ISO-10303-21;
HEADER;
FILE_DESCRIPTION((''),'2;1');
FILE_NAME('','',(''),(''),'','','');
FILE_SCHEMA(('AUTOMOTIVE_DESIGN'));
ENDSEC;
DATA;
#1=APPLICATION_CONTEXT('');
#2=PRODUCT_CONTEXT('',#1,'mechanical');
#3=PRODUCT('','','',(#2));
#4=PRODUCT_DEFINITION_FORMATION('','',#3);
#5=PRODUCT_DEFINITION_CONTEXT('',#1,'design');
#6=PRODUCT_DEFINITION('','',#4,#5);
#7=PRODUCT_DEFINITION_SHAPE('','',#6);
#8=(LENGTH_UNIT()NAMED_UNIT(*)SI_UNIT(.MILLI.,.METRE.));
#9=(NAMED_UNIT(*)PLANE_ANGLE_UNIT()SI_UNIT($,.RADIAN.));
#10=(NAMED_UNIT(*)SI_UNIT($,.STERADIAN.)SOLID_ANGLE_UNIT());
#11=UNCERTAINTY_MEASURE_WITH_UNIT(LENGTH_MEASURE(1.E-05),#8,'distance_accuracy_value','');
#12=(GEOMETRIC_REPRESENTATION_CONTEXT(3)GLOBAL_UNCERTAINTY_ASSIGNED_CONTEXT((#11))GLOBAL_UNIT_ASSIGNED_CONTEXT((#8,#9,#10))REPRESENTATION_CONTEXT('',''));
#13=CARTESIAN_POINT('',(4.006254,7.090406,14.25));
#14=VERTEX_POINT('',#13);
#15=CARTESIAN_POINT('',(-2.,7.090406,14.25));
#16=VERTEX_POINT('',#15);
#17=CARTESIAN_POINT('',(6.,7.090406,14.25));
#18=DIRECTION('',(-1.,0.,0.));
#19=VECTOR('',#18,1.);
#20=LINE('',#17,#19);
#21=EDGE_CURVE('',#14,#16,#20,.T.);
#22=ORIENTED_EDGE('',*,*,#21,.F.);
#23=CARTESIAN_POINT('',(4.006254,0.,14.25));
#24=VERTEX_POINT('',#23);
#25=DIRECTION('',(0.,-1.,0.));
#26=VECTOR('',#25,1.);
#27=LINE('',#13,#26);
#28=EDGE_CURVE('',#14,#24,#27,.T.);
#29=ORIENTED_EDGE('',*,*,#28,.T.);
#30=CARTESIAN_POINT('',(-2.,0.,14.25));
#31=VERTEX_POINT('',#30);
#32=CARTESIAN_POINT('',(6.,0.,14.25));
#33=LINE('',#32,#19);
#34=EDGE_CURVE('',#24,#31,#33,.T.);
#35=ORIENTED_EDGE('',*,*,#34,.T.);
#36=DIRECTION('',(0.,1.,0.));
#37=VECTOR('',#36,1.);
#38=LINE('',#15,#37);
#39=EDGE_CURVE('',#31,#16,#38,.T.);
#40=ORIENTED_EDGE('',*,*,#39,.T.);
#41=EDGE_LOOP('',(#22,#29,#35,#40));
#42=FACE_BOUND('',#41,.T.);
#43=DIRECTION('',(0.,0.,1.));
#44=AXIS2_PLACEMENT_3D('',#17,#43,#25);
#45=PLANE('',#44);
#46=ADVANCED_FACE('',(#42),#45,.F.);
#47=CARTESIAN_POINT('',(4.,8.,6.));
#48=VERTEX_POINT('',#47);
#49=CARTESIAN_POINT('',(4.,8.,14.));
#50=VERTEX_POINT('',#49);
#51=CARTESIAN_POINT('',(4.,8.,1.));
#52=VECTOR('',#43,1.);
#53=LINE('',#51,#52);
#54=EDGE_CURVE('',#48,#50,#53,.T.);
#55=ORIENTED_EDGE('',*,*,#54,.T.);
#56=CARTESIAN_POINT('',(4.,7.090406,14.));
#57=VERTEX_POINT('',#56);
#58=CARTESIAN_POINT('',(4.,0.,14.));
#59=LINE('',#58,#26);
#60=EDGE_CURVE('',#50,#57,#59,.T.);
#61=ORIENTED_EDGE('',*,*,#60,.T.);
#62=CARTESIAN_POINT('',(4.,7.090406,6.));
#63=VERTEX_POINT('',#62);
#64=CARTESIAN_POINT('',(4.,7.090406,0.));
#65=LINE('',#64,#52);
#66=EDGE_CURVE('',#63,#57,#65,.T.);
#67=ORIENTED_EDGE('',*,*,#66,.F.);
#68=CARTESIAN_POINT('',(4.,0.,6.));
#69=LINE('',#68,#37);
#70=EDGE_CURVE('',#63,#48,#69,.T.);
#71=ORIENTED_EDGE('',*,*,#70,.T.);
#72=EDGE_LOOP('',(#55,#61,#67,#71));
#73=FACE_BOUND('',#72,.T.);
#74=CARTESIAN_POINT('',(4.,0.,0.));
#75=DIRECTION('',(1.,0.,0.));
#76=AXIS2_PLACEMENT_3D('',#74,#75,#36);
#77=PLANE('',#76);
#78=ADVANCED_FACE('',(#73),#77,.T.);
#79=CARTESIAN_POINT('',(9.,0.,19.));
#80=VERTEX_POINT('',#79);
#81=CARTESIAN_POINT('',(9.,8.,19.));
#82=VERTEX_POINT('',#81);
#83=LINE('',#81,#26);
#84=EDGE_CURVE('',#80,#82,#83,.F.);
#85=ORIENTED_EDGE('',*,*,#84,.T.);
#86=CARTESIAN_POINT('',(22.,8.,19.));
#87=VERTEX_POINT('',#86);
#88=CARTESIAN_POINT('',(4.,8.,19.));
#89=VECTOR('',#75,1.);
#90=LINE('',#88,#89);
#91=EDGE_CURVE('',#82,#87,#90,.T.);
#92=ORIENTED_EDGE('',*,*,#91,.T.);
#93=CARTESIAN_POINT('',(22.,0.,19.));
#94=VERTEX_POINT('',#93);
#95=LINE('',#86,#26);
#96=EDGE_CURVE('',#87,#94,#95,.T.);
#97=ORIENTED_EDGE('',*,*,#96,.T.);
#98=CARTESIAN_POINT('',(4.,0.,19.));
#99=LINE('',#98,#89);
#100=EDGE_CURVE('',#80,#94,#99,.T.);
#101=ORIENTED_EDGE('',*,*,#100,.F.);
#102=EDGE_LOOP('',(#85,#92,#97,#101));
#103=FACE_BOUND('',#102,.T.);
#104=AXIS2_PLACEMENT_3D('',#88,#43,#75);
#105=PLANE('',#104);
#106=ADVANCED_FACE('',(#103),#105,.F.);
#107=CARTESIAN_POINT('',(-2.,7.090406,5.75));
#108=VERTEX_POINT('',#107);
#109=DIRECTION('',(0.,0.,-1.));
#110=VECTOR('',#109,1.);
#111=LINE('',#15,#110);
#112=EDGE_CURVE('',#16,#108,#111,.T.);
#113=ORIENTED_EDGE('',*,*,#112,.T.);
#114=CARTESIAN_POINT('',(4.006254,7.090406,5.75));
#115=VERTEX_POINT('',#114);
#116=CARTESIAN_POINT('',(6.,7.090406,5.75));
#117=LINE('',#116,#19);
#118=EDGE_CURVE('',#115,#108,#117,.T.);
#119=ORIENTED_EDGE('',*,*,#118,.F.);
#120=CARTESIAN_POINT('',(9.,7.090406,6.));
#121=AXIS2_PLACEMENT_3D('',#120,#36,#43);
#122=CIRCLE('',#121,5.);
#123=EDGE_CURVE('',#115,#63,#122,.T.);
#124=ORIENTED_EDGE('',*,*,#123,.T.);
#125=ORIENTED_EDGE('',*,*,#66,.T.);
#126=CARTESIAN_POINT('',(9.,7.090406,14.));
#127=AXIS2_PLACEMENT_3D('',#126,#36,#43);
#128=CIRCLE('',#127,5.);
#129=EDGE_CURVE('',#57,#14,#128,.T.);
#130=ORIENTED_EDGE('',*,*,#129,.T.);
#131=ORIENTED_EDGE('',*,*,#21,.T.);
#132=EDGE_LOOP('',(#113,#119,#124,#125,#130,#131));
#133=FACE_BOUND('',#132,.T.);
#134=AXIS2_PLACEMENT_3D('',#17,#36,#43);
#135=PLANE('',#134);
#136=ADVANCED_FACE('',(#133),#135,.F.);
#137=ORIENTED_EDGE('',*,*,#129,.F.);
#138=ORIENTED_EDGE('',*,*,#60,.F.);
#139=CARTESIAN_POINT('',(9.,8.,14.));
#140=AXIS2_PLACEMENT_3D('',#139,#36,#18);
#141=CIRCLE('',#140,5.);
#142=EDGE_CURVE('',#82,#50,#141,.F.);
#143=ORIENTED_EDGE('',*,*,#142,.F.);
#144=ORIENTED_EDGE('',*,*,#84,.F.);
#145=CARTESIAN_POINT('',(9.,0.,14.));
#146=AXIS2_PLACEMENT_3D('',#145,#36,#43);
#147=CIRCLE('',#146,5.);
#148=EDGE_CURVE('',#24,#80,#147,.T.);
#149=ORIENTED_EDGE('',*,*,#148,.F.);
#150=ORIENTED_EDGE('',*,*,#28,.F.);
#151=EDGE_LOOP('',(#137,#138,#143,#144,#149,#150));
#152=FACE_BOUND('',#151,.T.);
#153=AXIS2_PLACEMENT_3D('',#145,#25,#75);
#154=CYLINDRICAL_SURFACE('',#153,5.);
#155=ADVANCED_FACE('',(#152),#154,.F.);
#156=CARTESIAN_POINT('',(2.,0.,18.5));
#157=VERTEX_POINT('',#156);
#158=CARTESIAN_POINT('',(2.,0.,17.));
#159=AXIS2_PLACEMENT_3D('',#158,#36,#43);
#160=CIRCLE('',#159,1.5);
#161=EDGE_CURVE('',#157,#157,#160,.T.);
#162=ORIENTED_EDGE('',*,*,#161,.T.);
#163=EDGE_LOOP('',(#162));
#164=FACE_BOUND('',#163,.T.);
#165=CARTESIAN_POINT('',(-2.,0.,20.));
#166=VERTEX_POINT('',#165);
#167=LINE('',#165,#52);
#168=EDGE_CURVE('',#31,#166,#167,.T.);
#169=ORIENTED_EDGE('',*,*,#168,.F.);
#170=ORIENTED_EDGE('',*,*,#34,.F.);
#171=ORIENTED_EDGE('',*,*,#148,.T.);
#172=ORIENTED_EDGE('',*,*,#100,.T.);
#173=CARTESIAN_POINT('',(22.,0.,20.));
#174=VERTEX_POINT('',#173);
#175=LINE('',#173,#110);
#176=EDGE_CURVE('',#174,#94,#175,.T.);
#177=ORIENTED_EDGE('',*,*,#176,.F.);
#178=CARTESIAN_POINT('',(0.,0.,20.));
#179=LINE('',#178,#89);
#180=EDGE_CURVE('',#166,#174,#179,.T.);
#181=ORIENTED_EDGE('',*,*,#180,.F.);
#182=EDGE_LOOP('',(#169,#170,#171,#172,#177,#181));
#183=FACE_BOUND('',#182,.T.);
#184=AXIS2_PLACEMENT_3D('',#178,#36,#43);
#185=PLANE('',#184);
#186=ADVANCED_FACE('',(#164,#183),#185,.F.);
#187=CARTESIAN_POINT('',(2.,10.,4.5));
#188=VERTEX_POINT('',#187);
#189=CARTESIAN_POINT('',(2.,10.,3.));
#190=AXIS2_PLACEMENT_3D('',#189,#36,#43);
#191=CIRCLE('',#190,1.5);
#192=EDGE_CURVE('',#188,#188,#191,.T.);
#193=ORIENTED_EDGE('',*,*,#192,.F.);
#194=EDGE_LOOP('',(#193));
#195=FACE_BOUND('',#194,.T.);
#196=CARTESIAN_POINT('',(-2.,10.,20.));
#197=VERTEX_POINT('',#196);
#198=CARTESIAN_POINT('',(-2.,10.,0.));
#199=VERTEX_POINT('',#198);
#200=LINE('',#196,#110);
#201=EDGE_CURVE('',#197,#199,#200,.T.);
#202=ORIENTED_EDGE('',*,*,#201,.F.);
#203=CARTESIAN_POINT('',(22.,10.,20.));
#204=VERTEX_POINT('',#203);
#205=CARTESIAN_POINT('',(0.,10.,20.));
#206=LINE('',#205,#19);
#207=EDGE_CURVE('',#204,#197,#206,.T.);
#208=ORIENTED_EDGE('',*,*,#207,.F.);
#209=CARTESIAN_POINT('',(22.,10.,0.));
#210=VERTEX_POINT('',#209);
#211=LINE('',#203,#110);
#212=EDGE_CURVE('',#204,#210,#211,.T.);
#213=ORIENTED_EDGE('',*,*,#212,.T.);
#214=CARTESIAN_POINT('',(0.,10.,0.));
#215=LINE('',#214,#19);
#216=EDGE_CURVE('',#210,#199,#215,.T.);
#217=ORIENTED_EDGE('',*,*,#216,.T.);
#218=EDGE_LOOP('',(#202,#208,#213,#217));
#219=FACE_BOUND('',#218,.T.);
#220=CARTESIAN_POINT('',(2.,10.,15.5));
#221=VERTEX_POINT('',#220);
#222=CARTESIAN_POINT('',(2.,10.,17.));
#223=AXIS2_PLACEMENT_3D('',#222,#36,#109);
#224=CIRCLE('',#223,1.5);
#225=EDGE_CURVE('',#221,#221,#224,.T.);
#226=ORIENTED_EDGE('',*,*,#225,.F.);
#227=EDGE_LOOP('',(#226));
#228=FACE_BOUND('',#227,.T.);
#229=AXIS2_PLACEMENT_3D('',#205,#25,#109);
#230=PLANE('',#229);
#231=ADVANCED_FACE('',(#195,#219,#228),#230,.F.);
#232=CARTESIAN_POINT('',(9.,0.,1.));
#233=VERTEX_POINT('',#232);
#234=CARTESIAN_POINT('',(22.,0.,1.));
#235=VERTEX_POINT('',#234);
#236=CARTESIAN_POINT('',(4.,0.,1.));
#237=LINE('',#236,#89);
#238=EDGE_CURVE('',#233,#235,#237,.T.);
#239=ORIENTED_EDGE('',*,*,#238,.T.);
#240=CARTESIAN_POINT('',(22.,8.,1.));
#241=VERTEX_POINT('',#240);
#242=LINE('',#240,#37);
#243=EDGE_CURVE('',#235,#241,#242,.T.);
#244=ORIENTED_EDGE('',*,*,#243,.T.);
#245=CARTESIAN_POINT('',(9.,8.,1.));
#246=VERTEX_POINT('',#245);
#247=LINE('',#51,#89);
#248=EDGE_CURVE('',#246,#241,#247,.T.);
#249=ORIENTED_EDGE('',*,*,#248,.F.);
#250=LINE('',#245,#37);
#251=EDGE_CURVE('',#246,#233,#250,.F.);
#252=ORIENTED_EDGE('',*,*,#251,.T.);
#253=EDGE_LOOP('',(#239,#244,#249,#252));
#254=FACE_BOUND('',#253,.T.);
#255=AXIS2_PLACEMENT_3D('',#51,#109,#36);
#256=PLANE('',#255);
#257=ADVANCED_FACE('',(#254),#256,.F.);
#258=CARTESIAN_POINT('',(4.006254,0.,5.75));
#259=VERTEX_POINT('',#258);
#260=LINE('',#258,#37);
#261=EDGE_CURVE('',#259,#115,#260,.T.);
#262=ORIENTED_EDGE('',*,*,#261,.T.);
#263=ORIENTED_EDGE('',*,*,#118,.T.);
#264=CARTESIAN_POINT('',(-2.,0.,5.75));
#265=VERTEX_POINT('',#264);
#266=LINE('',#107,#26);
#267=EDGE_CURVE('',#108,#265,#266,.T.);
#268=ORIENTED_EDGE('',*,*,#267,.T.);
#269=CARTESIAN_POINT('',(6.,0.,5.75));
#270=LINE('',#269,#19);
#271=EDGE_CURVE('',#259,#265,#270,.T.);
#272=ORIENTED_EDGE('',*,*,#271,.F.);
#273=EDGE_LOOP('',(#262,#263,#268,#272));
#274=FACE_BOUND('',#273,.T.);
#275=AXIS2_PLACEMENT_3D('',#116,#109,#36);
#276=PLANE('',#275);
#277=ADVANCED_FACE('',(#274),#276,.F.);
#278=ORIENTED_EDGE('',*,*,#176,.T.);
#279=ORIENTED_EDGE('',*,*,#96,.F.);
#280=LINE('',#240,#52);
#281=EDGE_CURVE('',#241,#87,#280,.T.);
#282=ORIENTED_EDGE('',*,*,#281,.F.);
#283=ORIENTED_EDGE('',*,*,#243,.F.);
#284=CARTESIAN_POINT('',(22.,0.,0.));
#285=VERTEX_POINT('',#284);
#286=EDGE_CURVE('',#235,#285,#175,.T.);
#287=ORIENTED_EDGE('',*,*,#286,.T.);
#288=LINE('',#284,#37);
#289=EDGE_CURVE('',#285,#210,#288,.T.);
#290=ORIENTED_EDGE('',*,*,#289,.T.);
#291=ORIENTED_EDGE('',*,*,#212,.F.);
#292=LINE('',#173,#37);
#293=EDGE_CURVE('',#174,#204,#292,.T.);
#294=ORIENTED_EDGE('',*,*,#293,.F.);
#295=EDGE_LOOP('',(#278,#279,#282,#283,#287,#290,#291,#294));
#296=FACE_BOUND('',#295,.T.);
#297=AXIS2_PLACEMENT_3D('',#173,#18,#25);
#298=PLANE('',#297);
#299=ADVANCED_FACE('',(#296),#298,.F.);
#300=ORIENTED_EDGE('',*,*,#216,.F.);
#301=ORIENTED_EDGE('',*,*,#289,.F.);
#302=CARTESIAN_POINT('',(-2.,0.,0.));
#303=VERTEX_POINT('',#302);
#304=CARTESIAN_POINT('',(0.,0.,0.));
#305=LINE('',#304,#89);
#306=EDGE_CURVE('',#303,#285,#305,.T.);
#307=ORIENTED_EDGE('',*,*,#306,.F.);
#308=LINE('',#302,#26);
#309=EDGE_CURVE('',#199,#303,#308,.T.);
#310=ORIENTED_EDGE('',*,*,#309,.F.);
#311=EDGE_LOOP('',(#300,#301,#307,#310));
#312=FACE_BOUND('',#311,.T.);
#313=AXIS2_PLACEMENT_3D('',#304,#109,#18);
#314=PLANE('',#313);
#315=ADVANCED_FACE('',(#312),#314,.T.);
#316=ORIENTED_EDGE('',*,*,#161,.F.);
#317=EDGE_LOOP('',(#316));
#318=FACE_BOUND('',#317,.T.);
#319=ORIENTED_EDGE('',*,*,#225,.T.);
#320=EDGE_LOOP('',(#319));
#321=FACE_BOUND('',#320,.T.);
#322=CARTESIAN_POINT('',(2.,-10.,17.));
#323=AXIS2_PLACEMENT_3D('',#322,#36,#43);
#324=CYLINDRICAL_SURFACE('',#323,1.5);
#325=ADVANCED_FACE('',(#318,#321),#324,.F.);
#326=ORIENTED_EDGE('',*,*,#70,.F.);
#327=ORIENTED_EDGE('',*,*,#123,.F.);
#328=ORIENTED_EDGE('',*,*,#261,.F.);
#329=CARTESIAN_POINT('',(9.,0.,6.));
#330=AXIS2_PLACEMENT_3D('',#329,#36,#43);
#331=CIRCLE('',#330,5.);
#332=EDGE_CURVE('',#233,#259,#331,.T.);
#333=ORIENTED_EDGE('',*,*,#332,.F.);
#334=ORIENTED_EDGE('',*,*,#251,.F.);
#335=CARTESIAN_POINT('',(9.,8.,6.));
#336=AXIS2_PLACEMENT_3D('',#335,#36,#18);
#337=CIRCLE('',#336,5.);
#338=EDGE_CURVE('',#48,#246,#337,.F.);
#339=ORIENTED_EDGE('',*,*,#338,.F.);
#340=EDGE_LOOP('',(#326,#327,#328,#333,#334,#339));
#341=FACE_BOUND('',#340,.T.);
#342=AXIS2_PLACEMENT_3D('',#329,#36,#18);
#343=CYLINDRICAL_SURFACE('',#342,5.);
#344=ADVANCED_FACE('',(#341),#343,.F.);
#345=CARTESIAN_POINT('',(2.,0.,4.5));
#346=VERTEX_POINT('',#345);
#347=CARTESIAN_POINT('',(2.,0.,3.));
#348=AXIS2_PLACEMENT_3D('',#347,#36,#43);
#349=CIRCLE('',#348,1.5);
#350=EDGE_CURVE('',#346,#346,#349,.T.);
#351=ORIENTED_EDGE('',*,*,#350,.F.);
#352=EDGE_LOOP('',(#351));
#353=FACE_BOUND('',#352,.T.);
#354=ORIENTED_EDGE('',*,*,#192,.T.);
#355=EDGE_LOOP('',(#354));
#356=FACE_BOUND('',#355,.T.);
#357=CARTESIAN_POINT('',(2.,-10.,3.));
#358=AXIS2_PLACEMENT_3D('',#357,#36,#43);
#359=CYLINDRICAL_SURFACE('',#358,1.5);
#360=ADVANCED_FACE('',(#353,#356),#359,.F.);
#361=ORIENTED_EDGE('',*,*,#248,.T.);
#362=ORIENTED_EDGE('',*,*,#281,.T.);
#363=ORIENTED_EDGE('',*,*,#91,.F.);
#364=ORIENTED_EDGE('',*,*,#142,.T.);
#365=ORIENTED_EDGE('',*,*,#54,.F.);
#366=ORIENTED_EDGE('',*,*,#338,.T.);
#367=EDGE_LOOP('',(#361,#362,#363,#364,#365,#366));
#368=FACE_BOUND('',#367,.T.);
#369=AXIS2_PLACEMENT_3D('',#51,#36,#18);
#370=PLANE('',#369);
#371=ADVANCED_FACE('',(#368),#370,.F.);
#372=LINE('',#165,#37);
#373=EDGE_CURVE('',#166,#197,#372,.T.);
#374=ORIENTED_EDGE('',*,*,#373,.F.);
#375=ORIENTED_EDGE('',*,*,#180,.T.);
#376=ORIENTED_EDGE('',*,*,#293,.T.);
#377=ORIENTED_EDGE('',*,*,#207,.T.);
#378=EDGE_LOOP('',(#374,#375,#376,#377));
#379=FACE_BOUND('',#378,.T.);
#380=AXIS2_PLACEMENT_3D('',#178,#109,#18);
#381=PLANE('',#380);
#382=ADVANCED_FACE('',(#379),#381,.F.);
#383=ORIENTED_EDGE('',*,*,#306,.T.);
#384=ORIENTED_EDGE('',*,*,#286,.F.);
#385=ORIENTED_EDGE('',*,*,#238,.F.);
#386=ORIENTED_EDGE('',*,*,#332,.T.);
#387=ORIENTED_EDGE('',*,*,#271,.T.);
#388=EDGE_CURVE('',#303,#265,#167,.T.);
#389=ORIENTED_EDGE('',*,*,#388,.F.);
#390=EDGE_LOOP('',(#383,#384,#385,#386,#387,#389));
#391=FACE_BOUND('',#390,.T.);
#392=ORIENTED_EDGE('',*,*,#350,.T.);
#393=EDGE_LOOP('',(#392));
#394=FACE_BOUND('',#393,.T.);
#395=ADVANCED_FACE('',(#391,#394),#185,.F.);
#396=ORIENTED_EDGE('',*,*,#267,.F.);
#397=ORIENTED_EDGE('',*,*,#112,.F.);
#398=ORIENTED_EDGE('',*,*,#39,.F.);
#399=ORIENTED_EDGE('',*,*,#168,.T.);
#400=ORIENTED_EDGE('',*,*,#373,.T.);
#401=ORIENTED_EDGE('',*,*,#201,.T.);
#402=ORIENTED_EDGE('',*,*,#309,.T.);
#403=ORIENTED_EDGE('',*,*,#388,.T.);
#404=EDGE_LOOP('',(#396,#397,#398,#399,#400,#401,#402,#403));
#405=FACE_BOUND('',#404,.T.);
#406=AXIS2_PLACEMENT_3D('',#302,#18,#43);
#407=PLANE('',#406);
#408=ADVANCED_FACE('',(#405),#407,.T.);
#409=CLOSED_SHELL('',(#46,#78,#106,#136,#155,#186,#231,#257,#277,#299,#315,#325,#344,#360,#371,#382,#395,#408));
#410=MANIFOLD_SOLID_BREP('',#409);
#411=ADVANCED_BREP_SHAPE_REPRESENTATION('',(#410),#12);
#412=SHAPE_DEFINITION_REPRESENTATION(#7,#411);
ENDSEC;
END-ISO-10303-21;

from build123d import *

# Parameters (mm, degrees)
ESQUISSE1_W             = 22
ESQUISSE1_H             = 10
BOSS_EXTRU_1_DEPTH      = 20
ESQUISSE2_R             = 1.5
ENL_V_MAT_EXTRU_1_DEPTH = 20
ESQUISSE4_W             = 18
ESQUISSE4_H             = 8
ENL_V_MAT_EXTRU_6_DEPTH = 18
ESQUISSE5_W             = 20
ESQUISSE5_H             = 10
BOSS_EXTRU_2_DEPTH      = 2
ESQUISSE6_W             = 8.5
ESQUISSE6_H             = 7.090406213
ENL_V_MAT_EXTRU_7_DEPTH = 8
CONG_1_R                = 5


with BuildPart() as part:
    # Esquisse1 → Boss.-Extru.1 (new body)
    with BuildSketch(Plane.XY):
        with Locations((11, 5)):
            Rectangle(ESQUISSE1_W, ESQUISSE1_H)
    extrude(amount=BOSS_EXTRU_1_DEPTH)

    # Esquisse2 → Enlèv. mat.-Extru.1 (cut)
    with BuildSketch(Plane(origin=(0, 10, 0), x_dir=(1, 0, 0), z_dir=(0, 1, 0))):
        with Locations((2, -3)):
            Circle(ESQUISSE2_R)
        with Locations((2, -17)):
            Circle(ESQUISSE2_R)
    extrude(amount=-ENL_V_MAT_EXTRU_1_DEPTH, mode=Mode.SUBTRACT)

    # Esquisse4 → Enlèv. mat.-Extru.6 (cut)
    with BuildSketch(Plane(origin=(22, 0, 0), x_dir=(0, 0, -1), z_dir=(1, 0, 0))):
        with Locations((-10, 4)):
            Rectangle(ESQUISSE4_W, ESQUISSE4_H)
    extrude(amount=-ENL_V_MAT_EXTRU_6_DEPTH, mode=Mode.SUBTRACT)

    # Esquisse5 → Boss.-Extru.2 (add)
    with BuildSketch(Plane.ZY):
        with Locations((10, 5)):
            Rectangle(ESQUISSE5_W, ESQUISSE5_H)
    extrude(amount=BOSS_EXTRU_2_DEPTH)

    # Esquisse6 → Enlèv. mat.-Extru.7 (cut)
    with BuildSketch(Plane.ZY.offset(2)):
        with Locations((10, 3.545203107)):
            Rectangle(ESQUISSE6_W, ESQUISSE6_H)
    extrude(amount=-ENL_V_MAT_EXTRU_7_DEPTH, mode=Mode.SUBTRACT)

    # Congé1
    cong_1_edges = [part.edges().sort_by_distance(p)[0] for p in [
        (4, 4, 1),
        (4, 4, 19),
    ]]
    fillet(cong_1_edges, radius=CONG_1_R)


solid = part.part
